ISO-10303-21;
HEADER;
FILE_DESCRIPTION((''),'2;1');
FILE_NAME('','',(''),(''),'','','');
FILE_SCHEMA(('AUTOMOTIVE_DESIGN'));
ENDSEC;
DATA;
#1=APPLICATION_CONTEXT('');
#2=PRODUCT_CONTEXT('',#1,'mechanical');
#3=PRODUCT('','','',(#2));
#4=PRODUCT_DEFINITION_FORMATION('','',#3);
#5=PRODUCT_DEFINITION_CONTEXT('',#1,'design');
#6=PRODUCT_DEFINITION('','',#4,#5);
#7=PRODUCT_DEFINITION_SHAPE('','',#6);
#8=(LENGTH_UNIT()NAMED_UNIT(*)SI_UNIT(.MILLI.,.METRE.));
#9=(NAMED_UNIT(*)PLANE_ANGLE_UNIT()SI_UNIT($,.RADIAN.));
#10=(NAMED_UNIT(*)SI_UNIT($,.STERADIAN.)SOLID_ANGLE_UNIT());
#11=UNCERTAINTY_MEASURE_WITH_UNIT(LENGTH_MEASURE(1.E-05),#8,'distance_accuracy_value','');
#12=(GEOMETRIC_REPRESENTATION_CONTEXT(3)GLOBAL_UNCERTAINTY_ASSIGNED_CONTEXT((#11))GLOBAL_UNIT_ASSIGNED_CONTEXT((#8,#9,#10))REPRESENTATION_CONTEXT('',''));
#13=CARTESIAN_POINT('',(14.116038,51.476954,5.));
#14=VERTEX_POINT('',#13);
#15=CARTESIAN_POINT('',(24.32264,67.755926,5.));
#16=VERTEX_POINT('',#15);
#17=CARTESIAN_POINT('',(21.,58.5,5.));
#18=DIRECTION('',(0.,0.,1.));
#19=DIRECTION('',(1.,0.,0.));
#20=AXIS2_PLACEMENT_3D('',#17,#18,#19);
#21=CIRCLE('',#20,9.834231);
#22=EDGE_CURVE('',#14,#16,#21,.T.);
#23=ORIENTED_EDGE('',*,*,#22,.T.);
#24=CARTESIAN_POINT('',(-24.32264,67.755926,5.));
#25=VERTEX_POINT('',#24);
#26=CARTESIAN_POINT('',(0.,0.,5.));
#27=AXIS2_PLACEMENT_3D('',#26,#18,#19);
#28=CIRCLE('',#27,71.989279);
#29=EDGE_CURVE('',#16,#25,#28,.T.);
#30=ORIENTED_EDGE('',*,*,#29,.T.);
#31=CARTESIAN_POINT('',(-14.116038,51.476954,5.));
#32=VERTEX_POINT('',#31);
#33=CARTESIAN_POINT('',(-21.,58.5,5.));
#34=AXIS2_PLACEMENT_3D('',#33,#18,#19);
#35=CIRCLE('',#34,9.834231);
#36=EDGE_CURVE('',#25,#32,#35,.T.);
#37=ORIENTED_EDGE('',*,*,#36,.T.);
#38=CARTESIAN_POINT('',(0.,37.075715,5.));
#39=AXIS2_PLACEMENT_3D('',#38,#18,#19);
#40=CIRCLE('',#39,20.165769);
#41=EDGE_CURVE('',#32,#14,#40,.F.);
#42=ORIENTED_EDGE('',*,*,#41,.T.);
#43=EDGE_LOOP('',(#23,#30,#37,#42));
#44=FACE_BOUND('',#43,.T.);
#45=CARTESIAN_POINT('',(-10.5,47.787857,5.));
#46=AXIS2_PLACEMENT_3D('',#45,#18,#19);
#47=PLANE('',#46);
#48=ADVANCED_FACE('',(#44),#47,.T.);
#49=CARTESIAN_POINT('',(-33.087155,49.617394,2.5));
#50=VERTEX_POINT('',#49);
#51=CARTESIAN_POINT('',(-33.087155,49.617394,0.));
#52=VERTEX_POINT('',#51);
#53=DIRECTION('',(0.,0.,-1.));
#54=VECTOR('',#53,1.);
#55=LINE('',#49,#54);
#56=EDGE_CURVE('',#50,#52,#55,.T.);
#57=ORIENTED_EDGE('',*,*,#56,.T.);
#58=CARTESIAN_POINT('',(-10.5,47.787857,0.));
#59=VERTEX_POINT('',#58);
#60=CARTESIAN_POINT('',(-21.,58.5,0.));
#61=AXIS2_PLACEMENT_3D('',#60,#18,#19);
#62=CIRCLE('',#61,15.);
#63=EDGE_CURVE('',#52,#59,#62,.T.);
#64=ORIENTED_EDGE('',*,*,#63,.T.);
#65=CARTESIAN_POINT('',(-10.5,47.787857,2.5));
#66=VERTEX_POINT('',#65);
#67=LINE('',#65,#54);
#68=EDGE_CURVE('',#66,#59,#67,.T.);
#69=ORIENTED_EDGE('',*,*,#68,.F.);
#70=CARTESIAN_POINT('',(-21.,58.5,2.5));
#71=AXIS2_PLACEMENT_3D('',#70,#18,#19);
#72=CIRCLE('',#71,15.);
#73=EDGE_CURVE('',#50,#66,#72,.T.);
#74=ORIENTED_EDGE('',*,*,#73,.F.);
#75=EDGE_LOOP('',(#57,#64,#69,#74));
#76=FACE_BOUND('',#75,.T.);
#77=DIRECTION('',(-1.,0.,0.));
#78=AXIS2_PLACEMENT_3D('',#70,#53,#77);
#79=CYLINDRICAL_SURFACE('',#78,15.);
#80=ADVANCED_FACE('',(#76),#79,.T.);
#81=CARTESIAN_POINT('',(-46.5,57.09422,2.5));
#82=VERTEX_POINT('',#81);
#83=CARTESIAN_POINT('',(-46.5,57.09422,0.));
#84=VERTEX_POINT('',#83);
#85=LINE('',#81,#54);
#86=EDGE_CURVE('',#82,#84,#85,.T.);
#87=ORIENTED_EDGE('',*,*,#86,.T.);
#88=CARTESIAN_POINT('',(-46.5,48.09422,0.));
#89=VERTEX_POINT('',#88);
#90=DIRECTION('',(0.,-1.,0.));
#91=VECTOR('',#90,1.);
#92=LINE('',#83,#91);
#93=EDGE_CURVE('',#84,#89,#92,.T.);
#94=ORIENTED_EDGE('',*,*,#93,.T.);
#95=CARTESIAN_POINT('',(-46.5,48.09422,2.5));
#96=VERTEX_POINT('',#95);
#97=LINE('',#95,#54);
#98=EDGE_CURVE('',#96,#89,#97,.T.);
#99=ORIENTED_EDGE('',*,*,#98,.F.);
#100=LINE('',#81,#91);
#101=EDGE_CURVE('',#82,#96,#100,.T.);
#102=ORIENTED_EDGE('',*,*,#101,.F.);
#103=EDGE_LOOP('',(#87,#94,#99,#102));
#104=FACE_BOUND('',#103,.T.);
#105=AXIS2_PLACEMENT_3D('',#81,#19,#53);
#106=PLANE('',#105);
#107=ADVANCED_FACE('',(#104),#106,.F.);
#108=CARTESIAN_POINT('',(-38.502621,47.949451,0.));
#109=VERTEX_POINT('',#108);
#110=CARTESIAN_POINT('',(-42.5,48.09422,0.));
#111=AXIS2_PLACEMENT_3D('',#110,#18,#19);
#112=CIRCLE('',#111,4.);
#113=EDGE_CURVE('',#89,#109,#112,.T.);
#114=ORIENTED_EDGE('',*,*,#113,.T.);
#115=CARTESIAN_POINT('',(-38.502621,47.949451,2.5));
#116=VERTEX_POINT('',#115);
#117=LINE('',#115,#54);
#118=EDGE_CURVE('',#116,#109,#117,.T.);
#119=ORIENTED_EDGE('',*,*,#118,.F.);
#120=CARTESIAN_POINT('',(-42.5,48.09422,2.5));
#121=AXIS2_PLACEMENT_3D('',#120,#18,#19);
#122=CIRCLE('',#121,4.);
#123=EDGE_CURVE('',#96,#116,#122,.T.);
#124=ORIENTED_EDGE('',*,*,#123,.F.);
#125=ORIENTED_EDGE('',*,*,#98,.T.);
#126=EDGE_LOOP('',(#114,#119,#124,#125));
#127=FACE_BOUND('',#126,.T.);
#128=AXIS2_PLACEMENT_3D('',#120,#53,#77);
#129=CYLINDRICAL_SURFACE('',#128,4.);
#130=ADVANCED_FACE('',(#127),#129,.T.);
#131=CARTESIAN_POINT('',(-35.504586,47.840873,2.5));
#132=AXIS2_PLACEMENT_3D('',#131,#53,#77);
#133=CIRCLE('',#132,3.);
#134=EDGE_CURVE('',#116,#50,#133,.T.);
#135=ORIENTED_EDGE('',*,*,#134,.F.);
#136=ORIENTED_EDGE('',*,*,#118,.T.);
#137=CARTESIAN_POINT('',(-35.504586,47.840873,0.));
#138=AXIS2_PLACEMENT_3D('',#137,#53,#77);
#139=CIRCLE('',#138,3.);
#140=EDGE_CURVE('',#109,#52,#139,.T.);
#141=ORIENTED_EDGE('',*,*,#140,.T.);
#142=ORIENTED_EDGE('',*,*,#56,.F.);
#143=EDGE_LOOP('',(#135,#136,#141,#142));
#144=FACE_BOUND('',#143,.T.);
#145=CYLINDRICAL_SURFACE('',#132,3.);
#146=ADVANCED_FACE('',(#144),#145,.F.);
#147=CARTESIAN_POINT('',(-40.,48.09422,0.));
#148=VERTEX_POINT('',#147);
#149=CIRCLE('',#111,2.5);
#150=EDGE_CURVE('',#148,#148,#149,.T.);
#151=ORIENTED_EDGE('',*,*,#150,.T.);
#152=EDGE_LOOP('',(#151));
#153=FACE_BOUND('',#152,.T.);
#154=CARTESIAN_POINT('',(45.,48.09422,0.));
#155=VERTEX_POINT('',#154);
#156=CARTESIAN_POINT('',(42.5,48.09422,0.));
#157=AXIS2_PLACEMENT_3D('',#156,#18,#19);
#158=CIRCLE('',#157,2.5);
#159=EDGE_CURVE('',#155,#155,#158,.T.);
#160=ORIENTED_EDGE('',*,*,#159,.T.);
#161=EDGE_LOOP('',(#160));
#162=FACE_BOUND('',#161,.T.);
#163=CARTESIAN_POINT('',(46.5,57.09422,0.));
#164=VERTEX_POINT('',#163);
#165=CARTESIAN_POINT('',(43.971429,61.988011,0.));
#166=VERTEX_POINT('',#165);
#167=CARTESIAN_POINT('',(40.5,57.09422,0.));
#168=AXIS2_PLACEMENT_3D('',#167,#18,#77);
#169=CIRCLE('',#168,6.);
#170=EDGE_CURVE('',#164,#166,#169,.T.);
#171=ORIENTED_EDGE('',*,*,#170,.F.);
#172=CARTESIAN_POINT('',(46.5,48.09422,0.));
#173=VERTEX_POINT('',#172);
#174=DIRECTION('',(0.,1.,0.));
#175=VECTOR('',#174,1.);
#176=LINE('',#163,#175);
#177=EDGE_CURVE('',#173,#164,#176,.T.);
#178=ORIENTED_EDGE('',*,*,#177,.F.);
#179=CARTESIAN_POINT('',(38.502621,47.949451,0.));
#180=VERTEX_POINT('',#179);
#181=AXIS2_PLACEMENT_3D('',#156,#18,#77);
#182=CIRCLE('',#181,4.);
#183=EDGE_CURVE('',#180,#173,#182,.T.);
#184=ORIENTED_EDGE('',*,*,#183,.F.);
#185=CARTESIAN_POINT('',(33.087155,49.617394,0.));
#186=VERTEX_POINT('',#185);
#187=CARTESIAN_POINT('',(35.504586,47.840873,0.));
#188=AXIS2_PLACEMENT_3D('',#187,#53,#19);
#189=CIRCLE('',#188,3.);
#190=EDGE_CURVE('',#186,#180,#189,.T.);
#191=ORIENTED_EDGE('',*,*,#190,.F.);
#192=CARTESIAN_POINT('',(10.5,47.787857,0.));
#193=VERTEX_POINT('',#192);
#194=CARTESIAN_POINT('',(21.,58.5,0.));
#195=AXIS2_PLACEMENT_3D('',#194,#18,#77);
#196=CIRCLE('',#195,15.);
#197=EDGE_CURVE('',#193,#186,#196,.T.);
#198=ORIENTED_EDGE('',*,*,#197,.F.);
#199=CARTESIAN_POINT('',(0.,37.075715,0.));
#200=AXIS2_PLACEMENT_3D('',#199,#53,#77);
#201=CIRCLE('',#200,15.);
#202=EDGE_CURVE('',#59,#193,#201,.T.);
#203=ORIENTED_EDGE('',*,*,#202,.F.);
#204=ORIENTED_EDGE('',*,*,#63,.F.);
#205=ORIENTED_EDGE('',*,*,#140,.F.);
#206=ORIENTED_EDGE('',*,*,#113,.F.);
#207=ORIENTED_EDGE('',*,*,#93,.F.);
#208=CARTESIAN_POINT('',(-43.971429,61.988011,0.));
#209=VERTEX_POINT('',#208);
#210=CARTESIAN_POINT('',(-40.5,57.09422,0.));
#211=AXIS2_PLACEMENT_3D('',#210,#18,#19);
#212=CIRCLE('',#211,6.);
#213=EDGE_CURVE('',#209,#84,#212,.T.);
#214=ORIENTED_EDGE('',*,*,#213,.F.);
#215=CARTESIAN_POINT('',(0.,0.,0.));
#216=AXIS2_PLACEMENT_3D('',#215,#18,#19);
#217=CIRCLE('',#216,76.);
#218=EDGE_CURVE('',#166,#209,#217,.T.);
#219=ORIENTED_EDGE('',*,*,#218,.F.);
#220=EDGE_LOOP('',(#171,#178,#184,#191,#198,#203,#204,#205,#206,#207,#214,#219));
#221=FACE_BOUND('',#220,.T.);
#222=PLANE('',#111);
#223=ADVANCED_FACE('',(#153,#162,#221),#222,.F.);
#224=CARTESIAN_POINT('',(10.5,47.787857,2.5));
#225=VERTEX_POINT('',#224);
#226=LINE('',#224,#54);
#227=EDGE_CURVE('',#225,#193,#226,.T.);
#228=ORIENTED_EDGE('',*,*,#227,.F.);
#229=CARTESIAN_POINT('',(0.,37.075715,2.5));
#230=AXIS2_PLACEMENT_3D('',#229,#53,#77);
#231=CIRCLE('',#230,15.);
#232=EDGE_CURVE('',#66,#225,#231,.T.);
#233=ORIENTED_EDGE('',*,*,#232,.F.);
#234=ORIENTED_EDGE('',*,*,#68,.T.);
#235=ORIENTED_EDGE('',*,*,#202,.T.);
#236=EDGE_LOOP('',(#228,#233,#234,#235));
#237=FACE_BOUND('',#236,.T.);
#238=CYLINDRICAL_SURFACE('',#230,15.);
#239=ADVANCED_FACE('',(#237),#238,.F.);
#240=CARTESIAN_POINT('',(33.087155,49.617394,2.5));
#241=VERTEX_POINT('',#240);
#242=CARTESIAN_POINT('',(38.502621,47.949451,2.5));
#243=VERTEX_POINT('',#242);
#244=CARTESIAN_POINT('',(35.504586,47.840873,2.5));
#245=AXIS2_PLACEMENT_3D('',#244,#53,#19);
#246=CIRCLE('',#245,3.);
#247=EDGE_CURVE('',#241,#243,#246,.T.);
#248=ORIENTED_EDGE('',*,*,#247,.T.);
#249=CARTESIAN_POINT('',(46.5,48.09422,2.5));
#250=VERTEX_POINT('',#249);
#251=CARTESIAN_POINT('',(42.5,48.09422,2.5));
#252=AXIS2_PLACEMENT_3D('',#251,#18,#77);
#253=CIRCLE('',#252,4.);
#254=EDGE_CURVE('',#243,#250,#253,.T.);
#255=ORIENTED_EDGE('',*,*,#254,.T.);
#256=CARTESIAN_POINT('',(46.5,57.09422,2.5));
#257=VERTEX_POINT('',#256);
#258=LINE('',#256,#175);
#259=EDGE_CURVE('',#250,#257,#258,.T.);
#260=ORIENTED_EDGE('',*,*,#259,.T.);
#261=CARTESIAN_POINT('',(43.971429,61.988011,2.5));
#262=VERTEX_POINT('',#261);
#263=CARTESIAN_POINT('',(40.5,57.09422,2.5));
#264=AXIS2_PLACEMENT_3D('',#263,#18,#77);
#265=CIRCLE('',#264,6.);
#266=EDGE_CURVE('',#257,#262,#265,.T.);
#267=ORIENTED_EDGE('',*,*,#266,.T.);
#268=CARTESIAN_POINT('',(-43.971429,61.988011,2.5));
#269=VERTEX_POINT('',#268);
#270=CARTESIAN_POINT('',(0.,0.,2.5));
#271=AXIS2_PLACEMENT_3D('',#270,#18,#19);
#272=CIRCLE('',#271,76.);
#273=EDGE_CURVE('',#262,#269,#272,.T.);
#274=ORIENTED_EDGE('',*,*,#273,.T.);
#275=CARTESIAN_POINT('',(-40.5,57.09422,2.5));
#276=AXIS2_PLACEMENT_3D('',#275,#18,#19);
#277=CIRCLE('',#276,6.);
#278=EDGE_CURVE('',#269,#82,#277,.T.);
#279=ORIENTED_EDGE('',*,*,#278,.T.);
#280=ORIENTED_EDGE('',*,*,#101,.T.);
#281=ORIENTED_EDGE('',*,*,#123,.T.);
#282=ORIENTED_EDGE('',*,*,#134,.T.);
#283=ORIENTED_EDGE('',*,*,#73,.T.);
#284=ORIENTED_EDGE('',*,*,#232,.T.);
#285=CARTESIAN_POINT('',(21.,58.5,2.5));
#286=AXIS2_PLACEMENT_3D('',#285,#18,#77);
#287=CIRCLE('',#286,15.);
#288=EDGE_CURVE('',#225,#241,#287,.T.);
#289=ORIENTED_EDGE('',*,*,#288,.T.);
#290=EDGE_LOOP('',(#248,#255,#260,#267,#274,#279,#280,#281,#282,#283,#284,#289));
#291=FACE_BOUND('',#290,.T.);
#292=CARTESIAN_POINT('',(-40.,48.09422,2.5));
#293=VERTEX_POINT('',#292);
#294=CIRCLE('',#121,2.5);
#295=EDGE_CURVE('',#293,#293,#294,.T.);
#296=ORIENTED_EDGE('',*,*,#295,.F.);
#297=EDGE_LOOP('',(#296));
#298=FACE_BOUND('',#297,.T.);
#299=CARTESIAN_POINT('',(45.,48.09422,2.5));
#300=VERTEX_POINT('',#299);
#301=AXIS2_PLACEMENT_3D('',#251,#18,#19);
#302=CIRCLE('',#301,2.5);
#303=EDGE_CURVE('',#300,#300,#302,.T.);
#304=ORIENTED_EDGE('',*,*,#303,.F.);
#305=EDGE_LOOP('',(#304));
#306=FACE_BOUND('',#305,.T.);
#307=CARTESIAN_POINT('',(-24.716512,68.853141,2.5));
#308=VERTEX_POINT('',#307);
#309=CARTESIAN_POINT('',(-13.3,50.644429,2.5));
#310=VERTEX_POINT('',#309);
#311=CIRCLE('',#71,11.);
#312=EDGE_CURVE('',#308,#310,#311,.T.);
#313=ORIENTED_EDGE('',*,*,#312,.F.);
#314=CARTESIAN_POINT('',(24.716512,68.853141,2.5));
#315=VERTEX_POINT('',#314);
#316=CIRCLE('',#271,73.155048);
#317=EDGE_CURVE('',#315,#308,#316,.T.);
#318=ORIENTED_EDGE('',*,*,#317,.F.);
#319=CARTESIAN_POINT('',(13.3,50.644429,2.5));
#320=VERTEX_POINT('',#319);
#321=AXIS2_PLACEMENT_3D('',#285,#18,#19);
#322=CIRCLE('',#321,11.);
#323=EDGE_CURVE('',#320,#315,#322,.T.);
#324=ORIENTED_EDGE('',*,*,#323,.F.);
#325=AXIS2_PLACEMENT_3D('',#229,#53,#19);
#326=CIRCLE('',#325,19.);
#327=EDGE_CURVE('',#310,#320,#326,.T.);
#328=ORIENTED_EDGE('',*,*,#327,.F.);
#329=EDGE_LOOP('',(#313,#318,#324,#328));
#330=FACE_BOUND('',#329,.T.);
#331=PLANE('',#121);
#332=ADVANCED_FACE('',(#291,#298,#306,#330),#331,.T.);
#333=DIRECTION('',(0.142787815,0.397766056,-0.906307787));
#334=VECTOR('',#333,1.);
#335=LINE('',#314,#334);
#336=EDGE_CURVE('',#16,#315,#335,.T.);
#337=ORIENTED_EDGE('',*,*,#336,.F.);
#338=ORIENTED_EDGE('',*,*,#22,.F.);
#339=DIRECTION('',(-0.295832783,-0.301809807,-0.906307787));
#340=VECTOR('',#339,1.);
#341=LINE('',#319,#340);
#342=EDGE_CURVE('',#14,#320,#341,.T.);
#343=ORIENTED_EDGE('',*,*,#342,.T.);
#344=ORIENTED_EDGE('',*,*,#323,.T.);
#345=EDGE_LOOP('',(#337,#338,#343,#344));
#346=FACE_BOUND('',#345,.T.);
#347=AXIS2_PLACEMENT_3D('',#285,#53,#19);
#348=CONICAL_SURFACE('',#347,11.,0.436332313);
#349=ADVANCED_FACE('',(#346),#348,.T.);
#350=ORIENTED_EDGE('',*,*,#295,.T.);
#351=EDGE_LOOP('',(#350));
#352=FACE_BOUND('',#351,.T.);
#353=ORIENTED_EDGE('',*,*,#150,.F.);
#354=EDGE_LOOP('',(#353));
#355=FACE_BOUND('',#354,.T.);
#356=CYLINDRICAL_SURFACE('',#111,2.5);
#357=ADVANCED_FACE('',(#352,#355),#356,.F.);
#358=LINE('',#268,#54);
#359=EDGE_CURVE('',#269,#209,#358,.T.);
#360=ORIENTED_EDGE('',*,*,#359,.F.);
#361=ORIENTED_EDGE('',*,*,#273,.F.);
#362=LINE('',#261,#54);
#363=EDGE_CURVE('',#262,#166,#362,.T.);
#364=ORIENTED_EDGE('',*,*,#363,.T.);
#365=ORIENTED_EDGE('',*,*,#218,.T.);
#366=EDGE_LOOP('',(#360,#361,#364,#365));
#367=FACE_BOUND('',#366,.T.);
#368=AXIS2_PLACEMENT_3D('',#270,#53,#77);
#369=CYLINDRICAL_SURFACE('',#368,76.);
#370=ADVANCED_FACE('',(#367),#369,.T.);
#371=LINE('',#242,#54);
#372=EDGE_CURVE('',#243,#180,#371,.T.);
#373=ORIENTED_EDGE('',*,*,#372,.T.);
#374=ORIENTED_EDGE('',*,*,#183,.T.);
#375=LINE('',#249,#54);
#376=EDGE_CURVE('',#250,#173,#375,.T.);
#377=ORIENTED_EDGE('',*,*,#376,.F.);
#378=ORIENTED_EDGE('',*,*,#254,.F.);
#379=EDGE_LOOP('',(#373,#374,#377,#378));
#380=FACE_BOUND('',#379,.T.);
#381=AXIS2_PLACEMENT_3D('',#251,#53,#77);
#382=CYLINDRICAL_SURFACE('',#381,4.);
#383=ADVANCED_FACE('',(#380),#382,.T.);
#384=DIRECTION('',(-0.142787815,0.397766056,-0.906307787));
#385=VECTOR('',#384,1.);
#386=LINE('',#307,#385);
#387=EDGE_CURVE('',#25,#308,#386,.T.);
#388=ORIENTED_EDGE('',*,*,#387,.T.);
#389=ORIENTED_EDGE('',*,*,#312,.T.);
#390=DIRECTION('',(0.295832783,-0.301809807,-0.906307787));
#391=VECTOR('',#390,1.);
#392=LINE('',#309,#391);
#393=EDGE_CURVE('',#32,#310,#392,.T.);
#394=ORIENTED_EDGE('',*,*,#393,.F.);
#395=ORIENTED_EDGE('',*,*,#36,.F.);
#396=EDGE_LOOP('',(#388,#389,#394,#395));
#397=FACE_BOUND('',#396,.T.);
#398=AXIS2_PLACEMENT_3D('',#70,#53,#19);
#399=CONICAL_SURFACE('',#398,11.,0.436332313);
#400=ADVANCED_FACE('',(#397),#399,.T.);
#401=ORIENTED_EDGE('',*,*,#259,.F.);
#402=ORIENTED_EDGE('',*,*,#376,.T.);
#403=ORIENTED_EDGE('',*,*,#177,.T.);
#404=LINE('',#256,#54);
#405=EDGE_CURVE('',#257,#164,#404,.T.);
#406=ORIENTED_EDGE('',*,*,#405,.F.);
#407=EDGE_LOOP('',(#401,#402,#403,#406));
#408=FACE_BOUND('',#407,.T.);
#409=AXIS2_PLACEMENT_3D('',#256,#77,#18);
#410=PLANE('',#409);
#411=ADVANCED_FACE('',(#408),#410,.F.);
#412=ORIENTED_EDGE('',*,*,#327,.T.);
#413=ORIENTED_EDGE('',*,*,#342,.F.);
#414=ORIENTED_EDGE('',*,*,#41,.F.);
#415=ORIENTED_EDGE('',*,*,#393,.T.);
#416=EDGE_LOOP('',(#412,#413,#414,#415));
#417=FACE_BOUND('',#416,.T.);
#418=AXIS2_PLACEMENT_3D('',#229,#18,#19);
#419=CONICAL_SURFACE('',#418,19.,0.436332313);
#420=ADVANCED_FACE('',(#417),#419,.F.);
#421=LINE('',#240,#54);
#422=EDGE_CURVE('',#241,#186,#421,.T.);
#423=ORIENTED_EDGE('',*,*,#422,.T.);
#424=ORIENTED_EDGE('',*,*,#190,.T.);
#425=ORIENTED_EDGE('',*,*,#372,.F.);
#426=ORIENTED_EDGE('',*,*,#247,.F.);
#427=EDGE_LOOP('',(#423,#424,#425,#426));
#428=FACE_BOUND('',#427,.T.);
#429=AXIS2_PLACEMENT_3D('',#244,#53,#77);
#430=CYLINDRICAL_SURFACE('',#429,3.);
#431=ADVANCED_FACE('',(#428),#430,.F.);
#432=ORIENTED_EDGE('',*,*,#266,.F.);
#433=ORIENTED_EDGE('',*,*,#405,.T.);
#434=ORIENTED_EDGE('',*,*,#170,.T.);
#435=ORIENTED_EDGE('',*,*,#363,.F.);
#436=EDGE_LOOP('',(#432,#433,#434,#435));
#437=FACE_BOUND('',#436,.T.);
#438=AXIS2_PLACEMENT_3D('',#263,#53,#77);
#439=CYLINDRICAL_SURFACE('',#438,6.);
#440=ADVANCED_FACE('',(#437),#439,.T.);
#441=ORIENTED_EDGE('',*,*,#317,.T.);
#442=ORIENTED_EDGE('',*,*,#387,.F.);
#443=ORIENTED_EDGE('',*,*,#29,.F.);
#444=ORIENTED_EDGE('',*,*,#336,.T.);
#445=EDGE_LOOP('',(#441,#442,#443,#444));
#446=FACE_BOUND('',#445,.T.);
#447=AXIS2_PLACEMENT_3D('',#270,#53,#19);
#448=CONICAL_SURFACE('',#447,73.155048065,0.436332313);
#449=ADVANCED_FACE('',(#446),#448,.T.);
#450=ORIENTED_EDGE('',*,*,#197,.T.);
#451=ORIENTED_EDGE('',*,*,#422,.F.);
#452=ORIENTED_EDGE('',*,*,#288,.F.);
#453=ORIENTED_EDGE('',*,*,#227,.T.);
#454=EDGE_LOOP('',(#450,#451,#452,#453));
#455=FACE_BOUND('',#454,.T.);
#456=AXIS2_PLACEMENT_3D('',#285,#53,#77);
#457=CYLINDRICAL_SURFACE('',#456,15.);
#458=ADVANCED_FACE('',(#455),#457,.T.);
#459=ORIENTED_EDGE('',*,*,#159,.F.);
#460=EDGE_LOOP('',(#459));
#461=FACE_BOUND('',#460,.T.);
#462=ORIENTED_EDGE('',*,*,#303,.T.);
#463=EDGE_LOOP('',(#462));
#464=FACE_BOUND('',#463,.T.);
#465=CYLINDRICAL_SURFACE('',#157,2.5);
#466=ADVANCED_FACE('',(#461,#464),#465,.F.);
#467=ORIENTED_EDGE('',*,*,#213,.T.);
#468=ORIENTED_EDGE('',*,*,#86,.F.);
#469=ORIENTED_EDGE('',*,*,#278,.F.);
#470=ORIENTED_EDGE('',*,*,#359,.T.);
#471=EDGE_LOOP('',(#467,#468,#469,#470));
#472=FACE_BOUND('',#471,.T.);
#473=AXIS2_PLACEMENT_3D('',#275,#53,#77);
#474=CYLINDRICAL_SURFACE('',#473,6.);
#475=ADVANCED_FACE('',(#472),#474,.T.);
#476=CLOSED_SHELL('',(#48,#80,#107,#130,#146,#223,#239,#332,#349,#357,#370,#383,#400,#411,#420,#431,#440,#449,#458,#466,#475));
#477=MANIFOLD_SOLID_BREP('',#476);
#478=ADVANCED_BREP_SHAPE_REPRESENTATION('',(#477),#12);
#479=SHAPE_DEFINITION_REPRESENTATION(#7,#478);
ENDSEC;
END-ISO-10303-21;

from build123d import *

# Parameters (mm, degrees)
BOSS_EXTRUDE1_DEPTH = 2.5
BOSS_EXTRUDE2_DEPTH = 2.5
BOSS_EXTRUDE2_TAPER = 25
SKETCH4_R           = 2.5
CUT_EXTRUDE1_DEPTH  = 90.131924696


with BuildPart() as part:
    # Sketch1 → Boss-Extrude1 (new body)
    with BuildSketch(Plane.XY):
        with BuildLine():
            Line((-46.5, 57.094220373), (-46.5, 48.094220373))
            ThreePointArc((-46.5, 48.094220373), (-42.572396728, 44.094875587), (-38.502620643, 47.949450635))
            ThreePointArc((-38.502620643, 47.949450635), (-36.387640055, 50.707965196), (-33.087155105, 49.617394443))
            ThreePointArc((-33.087155105, 49.617394443), (-22.211018918, 43.548965481), (-10.5, 47.787857357))
            ThreePointArc((-10.5, 47.787857357), (0, 52.075714714), (10.5, 47.787857357))
            ThreePointArc((10.5, 47.787857357), (22.211018918, 43.548965481), (33.087155105, 49.617394443))
            ThreePointArc((33.087155105, 49.617394443), (36.387640055, 50.707965196), (38.502620643, 47.949450635))
            ThreePointArc((38.502620643, 47.949450635), (42.572396728, 44.094875587), (46.5, 48.094220373))
            Line((46.5, 48.094220373), (46.5, 57.094220373))
            ThreePointArc((46.5, 57.094220373), (45.830505203, 59.848437918), (43.971428571, 61.988010691))
            ThreePointArc((43.971428571, 61.988010691), (0, 76), (-43.971428571, 61.988010691))
            ThreePointArc((-43.971428571, 61.988010691), (-45.830505203, 59.848437918), (-46.5, 57.094220373))
        make_face()
    extrude(amount=BOSS_EXTRUDE1_DEPTH)

    # Sketch3 → Boss-Extrude2 (add)
    with BuildSketch(Plane.XY.offset(2.5)):
        with BuildLine():
            ThreePointArc((24.71651229, 68.853141378), (0, 73.155048065), (-24.71651229, 68.853141378))
            ThreePointArc((-24.71651229, 68.853141378), (-30.319675299, 52.656743004), (-13.3, 50.644428729))
            ThreePointArc((-13.3, 50.644428729), (0, 56.075714714), (13.3, 50.644428729))
            ThreePointArc((13.3, 50.644428729), (30.319675299, 52.656743004), (24.71651229, 68.853141378))
        make_face()
    extrude(amount=BOSS_EXTRUDE2_DEPTH, taper=BOSS_EXTRUDE2_TAPER)

    # Sketch4 → Cut-Extrude1 (cut, through all)
    with BuildSketch(Plane.XY.offset(2.5)):
        with Locations((-42.5, 48.094220373)):
            Circle(SKETCH4_R)
        with Locations((42.5, 48.094220373)):
            Circle(SKETCH4_R)
    extrude(amount=-CUT_EXTRUDE1_DEPTH, mode=Mode.SUBTRACT)


solid = part.part
